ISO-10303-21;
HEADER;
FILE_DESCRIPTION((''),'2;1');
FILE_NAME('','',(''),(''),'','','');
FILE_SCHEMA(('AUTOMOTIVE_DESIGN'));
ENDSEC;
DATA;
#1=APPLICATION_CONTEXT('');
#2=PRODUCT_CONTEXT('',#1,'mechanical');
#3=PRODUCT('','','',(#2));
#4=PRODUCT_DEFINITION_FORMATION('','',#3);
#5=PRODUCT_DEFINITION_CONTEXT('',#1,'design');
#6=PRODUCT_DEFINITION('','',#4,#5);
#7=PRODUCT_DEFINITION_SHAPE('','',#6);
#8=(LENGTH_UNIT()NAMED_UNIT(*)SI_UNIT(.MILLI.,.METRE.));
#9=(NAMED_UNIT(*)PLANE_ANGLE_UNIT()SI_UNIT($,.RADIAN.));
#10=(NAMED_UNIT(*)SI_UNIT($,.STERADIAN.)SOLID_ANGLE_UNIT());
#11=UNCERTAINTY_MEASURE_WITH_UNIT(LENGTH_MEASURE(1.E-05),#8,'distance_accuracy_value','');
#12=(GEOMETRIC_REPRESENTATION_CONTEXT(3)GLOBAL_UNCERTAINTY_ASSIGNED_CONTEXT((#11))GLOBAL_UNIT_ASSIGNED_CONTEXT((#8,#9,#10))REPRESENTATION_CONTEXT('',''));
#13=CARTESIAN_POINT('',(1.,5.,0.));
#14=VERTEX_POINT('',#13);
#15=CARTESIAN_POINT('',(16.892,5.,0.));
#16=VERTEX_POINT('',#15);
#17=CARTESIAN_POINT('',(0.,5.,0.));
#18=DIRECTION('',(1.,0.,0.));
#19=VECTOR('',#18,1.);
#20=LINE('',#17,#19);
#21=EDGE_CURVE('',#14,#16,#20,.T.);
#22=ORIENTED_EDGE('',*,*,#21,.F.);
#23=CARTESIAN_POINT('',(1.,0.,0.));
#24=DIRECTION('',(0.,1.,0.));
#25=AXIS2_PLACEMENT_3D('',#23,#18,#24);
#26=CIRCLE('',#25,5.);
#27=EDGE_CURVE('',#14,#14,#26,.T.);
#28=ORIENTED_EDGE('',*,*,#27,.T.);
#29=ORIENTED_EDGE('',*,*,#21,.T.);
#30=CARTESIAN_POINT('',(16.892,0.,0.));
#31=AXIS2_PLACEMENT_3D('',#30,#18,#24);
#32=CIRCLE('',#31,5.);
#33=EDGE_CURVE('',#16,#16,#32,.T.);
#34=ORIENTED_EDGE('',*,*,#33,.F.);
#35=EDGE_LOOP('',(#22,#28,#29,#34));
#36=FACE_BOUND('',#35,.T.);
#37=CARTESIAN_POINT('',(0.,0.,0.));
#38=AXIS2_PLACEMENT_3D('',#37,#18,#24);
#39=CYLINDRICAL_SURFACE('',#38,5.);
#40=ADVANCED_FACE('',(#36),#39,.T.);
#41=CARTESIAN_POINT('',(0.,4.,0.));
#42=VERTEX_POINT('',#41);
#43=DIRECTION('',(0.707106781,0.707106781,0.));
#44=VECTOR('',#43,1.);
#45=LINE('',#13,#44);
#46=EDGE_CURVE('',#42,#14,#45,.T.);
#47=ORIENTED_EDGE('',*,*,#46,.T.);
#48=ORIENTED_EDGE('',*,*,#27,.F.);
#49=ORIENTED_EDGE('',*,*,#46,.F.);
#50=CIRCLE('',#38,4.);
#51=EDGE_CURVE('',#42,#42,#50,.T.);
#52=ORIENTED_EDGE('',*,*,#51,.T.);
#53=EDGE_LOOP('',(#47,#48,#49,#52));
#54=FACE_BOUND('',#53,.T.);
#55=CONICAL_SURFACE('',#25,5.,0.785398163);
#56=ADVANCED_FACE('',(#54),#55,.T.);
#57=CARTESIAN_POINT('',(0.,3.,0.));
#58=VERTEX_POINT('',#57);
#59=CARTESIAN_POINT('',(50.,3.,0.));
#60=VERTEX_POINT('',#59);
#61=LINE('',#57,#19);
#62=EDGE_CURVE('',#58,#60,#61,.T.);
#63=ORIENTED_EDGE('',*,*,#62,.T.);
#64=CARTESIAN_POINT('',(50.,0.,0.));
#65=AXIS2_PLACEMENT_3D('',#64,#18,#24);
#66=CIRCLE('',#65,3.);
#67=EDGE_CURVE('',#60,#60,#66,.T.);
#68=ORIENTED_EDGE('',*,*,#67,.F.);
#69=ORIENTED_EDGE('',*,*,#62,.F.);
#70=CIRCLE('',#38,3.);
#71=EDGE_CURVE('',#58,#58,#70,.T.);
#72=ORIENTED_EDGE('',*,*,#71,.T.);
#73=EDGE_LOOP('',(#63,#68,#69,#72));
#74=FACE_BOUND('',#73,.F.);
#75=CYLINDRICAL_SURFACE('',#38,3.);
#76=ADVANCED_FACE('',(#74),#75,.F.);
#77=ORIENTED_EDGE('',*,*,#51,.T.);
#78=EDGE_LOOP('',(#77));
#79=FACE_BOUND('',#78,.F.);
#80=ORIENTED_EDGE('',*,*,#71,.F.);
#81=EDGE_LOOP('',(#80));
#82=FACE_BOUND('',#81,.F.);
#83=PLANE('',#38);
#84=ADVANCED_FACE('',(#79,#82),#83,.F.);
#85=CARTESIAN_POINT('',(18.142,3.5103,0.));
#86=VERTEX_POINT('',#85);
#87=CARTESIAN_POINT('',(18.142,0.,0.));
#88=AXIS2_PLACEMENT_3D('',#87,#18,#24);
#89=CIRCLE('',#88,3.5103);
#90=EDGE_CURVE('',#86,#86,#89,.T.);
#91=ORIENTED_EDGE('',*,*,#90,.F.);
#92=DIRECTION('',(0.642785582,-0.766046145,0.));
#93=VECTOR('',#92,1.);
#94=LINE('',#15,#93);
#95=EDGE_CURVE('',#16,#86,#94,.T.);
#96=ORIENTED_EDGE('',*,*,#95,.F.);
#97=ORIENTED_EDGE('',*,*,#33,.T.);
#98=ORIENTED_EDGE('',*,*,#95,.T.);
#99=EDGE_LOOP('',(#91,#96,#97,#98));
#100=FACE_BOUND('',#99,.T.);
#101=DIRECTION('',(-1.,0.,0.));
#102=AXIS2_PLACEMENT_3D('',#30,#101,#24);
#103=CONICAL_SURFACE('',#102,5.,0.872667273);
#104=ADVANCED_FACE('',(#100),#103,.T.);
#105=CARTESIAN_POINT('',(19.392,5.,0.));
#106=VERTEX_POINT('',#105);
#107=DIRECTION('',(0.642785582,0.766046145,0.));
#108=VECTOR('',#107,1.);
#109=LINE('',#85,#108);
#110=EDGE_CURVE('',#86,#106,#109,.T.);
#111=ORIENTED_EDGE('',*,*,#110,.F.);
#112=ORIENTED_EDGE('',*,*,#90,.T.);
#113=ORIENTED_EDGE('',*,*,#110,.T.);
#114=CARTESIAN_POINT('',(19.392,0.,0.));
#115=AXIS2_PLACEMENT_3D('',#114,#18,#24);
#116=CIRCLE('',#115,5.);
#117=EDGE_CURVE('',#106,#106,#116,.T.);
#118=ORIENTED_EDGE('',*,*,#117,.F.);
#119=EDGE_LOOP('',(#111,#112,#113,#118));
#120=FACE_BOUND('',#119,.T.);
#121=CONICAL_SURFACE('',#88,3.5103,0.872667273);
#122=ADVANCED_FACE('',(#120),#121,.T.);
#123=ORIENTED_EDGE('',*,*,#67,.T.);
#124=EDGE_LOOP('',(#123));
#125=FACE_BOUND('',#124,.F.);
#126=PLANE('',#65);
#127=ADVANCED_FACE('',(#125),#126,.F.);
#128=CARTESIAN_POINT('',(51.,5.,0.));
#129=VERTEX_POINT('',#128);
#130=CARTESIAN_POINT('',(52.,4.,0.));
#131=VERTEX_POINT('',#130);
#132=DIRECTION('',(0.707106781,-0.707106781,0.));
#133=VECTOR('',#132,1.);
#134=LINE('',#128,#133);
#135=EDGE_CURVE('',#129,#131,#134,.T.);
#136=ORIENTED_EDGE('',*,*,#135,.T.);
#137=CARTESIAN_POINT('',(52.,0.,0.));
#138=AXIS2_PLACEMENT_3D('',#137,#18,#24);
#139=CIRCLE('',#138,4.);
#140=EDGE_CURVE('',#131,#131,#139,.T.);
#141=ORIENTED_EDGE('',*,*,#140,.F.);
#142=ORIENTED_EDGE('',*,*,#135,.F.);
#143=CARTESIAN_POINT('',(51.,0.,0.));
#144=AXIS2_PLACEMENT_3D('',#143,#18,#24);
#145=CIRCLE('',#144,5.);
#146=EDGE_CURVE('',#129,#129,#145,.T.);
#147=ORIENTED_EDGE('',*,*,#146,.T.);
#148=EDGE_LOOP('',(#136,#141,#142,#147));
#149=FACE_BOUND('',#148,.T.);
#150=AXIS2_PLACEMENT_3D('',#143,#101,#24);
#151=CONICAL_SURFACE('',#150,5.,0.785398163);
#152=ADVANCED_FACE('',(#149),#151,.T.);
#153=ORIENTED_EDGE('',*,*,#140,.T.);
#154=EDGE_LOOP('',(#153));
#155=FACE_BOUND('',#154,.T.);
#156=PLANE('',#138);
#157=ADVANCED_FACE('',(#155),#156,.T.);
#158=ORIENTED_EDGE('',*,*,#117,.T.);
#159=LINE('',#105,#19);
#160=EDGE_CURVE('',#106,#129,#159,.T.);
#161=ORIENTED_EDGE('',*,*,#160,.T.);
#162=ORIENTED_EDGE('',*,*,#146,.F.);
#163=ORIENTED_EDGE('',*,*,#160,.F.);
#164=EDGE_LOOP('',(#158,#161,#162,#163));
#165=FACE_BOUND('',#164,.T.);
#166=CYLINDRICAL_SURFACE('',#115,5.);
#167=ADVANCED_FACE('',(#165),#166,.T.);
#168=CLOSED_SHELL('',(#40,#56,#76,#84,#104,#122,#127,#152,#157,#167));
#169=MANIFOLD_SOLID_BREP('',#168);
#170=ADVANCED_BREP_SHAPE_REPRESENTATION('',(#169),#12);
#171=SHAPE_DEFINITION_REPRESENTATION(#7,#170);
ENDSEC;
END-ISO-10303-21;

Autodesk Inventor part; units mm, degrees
ref_plane "YZ Plane" through (0, 0, 0) normal (1, 0, 0) x (0, 1, 0)
ref_plane "XZ Plane" through (0, 0, 0) normal (0, 1, 0) x (-1, 0, 0)
ref_plane "XY Plane" through (0, 0, 0) normal (0, 0, 1) x (1, 0, 0)
sketch "Эскиз1" plane through (0, 0, 0) normal (0, 0, 1) x (1, 0, 0)
  line L0 (0, 0) -> (52, 0)
  line L1 (0, 3) -> (50, 3)
  line L2 (0, 5) -> (0, 3)
  line L3 (52, 5) -> (52, 0)
  line L4 (50, 3) -> (50, 0)
  line L5 (16.892, 5) -> (18.142, 3.5103)
  line L6 (18.142, 3.5103) -> (19.392, 5)
  line L7 (0, 5) -> (16.892, 5)
  line L8 (19.392, 5) -> (52, 5)
  dimension "d0" = 6
  dimension "d1" = 52
  dimension "d4" = 2
  dimension "d5" = 16.892
  dimension "d11" = 2.5
  dimension "d12" = 50
  dimension "d13" = 50
  dimension "d14" = 10
  dimension "d15" = 10
revolve "Вращение1" add sketch "Эскиз1" angle 360 about axis through (0, 0, 0) along (1, 0, 0)
chamfer "Фаска1" distance 1 angle 45 2 edges at (0, -5, 0) (52, -5, 0)
properties part number "Втулка_Штрифта"
